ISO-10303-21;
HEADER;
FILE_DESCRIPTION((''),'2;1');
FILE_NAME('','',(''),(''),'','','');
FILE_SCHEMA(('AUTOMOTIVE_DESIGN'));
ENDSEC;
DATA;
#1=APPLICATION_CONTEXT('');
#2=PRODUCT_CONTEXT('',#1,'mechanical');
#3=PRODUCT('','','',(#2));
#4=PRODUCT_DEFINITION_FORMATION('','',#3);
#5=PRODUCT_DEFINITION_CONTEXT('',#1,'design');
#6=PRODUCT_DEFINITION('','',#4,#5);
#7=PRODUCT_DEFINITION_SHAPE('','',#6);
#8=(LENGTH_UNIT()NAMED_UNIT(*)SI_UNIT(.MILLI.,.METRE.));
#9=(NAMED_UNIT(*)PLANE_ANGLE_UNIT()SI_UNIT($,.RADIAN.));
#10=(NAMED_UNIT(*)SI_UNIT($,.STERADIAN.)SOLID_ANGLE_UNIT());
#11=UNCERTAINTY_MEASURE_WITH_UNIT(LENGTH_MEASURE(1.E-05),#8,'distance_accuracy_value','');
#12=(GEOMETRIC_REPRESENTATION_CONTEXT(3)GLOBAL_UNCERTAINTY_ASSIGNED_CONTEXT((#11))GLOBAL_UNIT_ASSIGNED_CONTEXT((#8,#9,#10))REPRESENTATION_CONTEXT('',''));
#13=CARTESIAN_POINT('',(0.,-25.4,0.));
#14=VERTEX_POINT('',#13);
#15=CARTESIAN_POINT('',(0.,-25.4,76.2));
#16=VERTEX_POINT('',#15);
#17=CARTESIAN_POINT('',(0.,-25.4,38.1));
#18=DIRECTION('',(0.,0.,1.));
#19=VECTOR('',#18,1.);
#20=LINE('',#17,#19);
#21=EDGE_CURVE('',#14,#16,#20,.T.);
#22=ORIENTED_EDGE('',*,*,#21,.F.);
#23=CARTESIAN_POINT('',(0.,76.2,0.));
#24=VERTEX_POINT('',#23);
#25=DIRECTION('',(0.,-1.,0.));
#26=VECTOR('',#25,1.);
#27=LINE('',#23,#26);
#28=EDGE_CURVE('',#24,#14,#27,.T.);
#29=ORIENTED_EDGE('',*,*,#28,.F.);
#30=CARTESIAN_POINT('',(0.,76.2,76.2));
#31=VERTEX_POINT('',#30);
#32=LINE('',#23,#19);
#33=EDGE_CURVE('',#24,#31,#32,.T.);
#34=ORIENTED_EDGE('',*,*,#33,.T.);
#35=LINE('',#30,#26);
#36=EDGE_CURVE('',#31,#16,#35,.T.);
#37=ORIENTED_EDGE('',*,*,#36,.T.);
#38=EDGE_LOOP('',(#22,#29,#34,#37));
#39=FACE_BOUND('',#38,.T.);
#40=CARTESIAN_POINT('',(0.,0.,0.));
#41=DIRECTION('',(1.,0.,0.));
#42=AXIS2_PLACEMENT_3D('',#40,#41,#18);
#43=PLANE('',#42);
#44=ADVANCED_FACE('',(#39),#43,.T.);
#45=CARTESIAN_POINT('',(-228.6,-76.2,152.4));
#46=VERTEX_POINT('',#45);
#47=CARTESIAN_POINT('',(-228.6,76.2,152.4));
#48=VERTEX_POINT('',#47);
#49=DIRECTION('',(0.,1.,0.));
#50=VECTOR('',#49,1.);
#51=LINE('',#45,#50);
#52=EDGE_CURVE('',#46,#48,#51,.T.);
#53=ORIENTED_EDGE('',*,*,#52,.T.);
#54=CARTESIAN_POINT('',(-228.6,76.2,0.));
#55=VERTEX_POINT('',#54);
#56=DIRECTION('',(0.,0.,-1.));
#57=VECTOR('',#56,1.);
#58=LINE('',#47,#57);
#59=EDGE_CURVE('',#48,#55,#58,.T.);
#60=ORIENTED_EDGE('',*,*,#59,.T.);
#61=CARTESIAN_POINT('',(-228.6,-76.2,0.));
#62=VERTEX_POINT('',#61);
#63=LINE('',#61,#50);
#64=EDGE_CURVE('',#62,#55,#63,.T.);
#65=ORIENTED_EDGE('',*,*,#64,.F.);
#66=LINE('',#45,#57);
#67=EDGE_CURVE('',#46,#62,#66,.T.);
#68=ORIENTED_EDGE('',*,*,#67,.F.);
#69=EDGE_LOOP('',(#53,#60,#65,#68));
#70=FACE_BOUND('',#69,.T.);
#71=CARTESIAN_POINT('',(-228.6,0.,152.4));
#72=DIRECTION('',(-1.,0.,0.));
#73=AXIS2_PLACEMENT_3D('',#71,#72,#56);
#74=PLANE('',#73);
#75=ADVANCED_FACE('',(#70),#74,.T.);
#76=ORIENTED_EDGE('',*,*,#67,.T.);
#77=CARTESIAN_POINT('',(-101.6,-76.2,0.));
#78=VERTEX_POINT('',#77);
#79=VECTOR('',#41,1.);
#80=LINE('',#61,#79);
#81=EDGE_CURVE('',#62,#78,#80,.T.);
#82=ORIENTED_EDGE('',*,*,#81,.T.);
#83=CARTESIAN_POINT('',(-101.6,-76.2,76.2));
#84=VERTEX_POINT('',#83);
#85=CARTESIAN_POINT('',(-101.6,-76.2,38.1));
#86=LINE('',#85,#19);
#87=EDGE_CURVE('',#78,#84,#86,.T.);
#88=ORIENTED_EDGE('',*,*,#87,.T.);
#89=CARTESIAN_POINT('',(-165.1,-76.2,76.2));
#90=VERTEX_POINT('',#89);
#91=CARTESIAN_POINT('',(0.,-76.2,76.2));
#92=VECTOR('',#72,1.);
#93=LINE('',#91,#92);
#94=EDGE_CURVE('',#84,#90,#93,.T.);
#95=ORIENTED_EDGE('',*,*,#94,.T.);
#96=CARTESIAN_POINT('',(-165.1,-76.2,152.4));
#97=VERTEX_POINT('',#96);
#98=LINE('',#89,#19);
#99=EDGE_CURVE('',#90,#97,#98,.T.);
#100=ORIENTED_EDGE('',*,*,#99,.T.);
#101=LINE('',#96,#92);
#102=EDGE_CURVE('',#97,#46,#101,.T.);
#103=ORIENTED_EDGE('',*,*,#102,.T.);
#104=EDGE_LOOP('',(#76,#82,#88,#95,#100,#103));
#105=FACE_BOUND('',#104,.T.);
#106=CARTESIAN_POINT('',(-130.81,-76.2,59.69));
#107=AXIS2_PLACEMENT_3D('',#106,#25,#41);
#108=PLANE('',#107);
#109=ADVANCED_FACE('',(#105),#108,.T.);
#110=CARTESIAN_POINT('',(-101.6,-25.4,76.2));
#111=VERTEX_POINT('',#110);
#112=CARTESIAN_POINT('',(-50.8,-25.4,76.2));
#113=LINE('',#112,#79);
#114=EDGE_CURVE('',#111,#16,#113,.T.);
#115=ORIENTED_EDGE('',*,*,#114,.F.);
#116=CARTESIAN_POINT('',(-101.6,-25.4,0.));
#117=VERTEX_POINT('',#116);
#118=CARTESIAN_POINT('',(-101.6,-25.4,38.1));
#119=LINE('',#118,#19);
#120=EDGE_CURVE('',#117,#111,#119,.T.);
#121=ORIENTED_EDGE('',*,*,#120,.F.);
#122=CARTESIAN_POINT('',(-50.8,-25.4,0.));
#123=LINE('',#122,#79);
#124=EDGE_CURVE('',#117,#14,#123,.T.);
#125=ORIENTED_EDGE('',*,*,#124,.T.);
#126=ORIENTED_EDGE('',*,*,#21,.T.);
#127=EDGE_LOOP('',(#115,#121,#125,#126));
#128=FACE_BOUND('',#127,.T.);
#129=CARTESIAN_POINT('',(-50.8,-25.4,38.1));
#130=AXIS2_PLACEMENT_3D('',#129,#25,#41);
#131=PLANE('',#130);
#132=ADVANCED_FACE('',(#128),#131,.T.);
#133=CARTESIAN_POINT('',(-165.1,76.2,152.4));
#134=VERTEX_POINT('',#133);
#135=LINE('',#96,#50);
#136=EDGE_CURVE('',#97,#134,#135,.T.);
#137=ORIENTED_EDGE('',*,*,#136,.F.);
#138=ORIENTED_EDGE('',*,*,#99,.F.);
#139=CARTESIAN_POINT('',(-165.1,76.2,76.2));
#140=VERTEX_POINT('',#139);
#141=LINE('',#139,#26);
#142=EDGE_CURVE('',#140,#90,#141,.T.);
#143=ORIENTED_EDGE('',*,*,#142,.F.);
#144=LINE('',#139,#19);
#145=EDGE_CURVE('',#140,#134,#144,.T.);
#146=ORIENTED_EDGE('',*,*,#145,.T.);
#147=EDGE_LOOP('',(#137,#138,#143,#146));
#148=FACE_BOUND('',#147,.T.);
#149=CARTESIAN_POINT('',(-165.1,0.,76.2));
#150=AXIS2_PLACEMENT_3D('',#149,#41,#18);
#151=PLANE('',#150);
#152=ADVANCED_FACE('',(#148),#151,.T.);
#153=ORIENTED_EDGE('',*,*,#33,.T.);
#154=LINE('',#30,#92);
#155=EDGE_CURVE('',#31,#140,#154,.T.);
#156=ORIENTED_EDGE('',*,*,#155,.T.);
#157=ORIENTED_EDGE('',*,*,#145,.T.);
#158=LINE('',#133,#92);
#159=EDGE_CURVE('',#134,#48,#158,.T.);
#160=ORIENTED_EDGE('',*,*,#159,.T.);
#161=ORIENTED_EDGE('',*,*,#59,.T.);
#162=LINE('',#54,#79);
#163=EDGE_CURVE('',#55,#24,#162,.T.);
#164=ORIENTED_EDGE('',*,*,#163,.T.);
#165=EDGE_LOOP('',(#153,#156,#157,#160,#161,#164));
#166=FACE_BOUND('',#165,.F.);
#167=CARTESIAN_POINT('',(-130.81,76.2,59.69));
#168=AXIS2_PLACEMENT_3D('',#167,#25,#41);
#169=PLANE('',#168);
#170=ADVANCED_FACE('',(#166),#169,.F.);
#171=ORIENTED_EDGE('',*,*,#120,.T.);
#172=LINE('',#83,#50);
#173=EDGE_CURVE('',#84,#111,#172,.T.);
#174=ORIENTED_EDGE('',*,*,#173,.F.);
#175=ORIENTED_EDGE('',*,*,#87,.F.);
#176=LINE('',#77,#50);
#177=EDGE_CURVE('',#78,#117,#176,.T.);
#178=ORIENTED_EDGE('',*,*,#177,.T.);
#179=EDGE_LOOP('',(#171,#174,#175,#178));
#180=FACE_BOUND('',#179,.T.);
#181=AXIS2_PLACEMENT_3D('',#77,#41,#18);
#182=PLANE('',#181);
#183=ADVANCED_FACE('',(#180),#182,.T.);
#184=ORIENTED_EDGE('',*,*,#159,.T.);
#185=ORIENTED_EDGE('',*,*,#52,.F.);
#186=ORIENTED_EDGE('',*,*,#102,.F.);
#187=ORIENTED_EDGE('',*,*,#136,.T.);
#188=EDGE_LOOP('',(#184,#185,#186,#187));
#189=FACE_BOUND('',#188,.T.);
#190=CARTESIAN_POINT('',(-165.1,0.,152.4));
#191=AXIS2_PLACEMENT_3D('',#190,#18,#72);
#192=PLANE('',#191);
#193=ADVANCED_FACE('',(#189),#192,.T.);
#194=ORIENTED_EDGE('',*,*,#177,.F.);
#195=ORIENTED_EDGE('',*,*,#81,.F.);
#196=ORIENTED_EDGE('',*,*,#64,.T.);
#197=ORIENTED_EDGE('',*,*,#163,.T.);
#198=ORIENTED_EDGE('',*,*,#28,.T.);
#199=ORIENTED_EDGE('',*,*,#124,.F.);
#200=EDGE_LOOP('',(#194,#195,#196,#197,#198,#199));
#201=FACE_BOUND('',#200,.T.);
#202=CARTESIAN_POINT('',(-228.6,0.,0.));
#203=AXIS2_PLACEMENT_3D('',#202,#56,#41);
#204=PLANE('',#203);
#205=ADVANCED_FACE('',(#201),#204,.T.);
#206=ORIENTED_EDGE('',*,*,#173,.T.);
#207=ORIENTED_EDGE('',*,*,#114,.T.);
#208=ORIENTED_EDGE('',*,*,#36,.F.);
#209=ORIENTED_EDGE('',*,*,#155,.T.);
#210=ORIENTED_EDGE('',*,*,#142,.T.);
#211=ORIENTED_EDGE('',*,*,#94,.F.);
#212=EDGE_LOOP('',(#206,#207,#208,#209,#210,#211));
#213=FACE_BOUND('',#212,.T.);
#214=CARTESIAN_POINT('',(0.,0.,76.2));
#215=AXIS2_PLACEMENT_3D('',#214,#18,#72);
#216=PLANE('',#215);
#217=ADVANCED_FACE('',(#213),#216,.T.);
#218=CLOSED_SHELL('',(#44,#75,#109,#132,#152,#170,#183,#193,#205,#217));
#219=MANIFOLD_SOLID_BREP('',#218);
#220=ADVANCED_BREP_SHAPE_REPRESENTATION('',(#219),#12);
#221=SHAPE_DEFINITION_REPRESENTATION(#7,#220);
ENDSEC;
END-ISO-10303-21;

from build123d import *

# Parameters (mm, degrees)
F1_DEPTH = 76.2
F2_W     = 101.6
F2_H     = 76.2
F3_DEPTH = 50.8


with BuildPart() as f1:
    # F0 (on Front) → F1 (new body, symmetric)
    with BuildSketch(Plane.XZ):
        Polygon((-228.6, 0), (0, 0), (0, 76.2), (-165.1, 76.2), (-165.1, 152.4), (-228.6, 152.4), align=None)
    extrude(amount=F1_DEPTH, both=True)

    # F2 (on face) → F3 (cut)
    with BuildSketch(Plane.XZ.offset(76.2)):
        with Locations((-50.8, 38.1)):
            Rectangle(F2_W, F2_H)
    extrude(amount=-F3_DEPTH, mode=Mode.SUBTRACT)


solid = f1.part
